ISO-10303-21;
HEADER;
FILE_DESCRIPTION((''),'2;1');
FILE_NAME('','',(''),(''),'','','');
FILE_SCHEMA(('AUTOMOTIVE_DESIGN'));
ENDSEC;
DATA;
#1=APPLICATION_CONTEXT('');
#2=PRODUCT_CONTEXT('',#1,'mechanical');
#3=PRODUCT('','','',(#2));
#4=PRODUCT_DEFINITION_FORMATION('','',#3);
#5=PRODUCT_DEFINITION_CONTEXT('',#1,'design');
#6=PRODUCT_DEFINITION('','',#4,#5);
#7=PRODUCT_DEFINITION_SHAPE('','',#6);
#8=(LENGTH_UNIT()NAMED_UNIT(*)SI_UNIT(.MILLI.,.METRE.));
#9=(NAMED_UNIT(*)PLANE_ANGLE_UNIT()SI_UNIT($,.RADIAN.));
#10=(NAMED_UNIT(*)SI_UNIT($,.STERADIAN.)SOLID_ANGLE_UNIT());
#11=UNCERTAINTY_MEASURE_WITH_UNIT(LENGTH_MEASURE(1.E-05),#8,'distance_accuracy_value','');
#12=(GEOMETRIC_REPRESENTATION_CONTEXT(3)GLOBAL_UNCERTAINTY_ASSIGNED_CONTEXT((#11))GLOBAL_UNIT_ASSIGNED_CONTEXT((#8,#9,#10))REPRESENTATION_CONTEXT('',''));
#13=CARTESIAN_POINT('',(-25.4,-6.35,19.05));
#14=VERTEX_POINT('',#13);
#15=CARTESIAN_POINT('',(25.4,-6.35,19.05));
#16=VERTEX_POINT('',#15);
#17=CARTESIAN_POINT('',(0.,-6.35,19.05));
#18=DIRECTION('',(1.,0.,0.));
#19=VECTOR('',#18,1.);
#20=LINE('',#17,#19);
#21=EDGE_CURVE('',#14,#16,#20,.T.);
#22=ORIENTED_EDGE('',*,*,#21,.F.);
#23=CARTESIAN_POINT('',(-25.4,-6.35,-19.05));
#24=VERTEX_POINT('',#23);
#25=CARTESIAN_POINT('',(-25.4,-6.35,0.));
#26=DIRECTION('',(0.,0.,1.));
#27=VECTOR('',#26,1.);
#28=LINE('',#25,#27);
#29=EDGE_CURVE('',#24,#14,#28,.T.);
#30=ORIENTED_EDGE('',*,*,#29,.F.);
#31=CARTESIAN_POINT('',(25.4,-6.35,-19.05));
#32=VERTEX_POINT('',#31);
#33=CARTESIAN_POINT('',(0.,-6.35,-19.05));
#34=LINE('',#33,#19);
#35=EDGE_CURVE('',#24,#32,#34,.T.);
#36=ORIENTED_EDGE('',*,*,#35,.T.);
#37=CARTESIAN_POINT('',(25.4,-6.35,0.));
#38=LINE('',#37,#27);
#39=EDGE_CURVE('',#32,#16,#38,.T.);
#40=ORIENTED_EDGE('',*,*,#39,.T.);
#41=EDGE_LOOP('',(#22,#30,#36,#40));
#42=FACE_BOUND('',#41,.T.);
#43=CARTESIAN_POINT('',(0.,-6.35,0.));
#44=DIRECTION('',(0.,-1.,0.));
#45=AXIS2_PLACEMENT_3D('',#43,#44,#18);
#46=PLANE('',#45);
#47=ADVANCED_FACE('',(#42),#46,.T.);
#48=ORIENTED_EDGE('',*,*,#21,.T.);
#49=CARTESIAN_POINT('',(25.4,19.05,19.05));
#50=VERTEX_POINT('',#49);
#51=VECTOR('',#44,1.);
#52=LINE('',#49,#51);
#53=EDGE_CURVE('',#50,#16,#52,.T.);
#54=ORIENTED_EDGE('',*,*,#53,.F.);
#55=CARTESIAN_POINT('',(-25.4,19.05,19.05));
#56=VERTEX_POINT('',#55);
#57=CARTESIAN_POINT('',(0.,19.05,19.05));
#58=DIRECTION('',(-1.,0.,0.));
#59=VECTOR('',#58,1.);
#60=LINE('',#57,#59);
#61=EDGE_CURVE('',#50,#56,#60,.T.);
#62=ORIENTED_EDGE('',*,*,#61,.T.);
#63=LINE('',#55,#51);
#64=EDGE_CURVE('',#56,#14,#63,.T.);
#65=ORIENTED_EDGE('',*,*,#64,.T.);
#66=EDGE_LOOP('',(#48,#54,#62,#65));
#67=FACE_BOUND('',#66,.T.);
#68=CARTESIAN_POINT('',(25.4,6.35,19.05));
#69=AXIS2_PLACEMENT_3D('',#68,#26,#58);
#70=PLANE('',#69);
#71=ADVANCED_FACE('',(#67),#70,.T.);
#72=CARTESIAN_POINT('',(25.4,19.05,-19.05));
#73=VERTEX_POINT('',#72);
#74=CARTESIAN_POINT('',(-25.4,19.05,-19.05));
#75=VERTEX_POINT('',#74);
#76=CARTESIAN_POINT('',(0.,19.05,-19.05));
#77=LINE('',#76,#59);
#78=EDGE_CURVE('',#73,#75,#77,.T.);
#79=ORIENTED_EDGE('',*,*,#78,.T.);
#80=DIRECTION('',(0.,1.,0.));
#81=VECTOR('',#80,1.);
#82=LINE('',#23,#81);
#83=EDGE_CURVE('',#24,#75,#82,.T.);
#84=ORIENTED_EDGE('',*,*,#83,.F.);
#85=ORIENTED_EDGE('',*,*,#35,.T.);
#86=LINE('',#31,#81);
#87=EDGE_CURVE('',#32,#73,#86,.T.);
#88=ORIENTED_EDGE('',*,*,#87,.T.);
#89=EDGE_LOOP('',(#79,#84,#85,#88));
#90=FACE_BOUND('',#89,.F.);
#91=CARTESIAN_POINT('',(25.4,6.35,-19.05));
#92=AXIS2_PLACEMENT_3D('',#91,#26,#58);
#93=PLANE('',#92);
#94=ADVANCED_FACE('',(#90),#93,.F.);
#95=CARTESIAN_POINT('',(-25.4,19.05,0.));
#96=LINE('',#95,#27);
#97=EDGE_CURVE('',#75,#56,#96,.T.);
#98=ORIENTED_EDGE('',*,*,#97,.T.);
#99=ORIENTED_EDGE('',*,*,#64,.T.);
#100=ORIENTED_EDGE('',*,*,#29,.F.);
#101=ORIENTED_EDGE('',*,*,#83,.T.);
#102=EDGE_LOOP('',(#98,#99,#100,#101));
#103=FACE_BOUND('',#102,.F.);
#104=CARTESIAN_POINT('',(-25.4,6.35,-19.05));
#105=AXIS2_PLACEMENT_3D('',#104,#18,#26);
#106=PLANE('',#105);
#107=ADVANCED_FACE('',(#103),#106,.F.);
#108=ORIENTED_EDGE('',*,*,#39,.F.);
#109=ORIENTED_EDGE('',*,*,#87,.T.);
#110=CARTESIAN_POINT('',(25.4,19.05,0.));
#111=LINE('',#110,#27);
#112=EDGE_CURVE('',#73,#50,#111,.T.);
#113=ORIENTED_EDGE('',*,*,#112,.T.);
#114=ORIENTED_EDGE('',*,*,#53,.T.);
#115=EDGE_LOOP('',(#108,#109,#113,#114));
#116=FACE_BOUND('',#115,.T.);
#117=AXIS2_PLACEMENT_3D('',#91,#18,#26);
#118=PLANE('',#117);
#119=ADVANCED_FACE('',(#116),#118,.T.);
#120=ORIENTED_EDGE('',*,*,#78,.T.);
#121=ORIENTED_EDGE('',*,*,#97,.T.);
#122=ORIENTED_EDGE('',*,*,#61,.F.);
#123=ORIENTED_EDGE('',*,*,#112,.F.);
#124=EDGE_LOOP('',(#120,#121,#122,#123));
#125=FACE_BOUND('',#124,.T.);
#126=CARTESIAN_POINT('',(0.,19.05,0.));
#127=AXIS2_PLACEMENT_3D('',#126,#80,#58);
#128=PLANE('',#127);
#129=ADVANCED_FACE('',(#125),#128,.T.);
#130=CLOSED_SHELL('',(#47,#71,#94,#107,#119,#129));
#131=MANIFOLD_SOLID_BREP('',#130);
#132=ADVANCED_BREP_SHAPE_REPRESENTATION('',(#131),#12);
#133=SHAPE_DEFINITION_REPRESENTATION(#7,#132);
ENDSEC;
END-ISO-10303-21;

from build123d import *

# Parameters (mm, degrees)
F0_W     = 50.8
F0_H     = 38.1
F1_DEPTH = 6.35
F2_W     = 50.8
F2_H     = 38.1
F3_DEPTH = 12.7


with BuildPart() as f1:
    # F0 (on Front) → F1 (new body, symmetric)
    with BuildSketch(Plane.XZ):
        Rectangle(F0_W, F0_H)
    extrude(amount=F1_DEPTH, both=True)

    # F2 (on face) → F3 (join)
    with BuildSketch(Plane(origin=(0, 6.35, 0), x_dir=(-1, 0, 0), z_dir=(0, 1, 0))):
        Rectangle(F2_W, F2_H)
    extrude(amount=F3_DEPTH)


solid = f1.part
